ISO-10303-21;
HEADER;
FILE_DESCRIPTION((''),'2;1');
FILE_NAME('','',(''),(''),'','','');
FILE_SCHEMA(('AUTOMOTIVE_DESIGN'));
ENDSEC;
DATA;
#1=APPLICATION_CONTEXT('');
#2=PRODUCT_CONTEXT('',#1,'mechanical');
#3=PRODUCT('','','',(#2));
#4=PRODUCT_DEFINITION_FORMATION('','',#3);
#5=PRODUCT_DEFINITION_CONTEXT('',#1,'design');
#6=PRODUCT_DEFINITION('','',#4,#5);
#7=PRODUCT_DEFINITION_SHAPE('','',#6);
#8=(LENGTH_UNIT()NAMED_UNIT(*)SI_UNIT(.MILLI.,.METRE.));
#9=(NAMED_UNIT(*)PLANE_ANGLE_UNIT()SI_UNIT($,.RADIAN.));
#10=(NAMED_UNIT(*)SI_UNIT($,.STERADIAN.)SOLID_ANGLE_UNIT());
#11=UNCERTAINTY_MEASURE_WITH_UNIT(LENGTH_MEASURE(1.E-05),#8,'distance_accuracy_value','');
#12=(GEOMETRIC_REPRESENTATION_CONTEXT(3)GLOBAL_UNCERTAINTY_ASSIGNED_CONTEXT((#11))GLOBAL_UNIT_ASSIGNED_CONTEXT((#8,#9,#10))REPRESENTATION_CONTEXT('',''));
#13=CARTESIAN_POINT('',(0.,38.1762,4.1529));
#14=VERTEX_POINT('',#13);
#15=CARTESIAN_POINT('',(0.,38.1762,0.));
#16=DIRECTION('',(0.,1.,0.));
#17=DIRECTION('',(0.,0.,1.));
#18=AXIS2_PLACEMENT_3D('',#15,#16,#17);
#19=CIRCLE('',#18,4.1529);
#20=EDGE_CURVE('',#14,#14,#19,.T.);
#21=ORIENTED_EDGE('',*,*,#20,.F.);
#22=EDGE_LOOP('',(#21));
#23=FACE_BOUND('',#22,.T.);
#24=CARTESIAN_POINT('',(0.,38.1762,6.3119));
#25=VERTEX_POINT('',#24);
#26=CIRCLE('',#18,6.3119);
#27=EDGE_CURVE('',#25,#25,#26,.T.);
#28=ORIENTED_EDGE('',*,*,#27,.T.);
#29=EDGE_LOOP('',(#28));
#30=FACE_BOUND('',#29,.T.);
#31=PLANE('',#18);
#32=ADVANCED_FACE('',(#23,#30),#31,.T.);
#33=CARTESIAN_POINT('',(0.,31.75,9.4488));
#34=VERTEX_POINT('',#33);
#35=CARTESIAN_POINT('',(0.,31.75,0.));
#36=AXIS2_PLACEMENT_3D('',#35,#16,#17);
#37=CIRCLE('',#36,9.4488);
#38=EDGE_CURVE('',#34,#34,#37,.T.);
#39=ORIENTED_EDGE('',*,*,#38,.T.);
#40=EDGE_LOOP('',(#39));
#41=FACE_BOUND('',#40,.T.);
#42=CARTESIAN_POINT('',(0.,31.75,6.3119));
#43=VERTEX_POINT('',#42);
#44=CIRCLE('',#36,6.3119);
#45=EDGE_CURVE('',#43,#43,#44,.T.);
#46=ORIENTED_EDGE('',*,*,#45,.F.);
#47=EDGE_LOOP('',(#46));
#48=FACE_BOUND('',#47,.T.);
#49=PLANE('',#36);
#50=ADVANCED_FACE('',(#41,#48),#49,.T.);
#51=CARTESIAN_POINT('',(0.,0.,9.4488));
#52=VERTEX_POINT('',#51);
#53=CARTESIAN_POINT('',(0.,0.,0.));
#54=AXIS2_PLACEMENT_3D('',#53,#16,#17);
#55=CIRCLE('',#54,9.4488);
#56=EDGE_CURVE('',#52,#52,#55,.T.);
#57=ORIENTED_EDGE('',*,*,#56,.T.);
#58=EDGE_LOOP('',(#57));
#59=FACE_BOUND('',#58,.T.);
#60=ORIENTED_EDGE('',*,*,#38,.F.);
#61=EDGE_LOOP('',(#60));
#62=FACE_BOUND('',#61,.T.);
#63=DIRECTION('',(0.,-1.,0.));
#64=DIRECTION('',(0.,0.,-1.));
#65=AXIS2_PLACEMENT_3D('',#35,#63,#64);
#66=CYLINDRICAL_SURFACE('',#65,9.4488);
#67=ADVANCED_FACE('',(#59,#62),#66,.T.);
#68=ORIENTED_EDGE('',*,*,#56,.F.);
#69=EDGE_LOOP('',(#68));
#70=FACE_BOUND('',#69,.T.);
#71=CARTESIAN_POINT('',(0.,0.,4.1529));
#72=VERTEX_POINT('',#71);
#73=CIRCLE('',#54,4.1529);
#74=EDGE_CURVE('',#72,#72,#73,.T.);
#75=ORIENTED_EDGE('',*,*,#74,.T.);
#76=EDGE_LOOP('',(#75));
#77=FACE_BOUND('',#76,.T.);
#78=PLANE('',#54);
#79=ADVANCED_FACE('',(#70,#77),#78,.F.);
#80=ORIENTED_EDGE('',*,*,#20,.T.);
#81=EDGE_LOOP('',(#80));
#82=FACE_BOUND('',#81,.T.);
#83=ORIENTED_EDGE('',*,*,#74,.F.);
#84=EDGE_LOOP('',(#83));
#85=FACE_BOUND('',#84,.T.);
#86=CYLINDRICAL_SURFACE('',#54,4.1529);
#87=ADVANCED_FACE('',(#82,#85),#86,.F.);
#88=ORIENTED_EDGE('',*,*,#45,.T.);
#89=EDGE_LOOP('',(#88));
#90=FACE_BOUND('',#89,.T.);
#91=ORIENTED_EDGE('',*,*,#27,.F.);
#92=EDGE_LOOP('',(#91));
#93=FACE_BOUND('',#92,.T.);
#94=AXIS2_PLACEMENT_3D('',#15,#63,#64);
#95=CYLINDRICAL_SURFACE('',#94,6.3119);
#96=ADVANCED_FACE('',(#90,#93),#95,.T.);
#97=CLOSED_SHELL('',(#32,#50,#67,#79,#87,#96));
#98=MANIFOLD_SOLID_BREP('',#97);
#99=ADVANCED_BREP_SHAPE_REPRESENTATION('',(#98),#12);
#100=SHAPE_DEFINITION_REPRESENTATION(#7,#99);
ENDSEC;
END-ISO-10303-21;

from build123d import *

# Parameters (mm, degrees)
SKETCH1_R           = 9.4488
BOSS_EXTRUDE1_DEPTH = 31.75
SKETCH2_R           = 6.3119
BOSS_EXTRUDE2_DEPTH = 6.4262
SKETCH3_R           = 4.1529
CUT_EXTRUDE1_DEPTH  = 41.447272953


with BuildPart() as part:
    # Sketch1 → Boss-Extrude1 (new body)
    with BuildSketch(Plane(origin=(0, 0, 0), x_dir=(1, 0, 0), z_dir=(0, 1, 0))):
        with Locations(Location((0, 0, 0), (0, 0, 270))):
            Circle(SKETCH1_R)
    extrude(amount=BOSS_EXTRUDE1_DEPTH)

    # Sketch2 → Boss-Extrude2 (add)
    with BuildSketch(Plane(origin=(0, 31.75, 0), x_dir=(1, 0, 0), z_dir=(0, 1, 0))):
        with Locations(Location((0, 0, 0), (0, 0, 270))):
            Circle(SKETCH2_R)
    extrude(amount=BOSS_EXTRUDE2_DEPTH)

    # Sketch3 → Cut-Extrude1 (cut, through all)
    with BuildSketch(Plane(origin=(0, 38.1762, 0), x_dir=(1, 0, 0), z_dir=(0, 1, 0))):
        with Locations(Location((0, 0, 0), (0, 0, 270))):
            Circle(SKETCH3_R)
    extrude(amount=-CUT_EXTRUDE1_DEPTH, mode=Mode.SUBTRACT)


solid = part.part
